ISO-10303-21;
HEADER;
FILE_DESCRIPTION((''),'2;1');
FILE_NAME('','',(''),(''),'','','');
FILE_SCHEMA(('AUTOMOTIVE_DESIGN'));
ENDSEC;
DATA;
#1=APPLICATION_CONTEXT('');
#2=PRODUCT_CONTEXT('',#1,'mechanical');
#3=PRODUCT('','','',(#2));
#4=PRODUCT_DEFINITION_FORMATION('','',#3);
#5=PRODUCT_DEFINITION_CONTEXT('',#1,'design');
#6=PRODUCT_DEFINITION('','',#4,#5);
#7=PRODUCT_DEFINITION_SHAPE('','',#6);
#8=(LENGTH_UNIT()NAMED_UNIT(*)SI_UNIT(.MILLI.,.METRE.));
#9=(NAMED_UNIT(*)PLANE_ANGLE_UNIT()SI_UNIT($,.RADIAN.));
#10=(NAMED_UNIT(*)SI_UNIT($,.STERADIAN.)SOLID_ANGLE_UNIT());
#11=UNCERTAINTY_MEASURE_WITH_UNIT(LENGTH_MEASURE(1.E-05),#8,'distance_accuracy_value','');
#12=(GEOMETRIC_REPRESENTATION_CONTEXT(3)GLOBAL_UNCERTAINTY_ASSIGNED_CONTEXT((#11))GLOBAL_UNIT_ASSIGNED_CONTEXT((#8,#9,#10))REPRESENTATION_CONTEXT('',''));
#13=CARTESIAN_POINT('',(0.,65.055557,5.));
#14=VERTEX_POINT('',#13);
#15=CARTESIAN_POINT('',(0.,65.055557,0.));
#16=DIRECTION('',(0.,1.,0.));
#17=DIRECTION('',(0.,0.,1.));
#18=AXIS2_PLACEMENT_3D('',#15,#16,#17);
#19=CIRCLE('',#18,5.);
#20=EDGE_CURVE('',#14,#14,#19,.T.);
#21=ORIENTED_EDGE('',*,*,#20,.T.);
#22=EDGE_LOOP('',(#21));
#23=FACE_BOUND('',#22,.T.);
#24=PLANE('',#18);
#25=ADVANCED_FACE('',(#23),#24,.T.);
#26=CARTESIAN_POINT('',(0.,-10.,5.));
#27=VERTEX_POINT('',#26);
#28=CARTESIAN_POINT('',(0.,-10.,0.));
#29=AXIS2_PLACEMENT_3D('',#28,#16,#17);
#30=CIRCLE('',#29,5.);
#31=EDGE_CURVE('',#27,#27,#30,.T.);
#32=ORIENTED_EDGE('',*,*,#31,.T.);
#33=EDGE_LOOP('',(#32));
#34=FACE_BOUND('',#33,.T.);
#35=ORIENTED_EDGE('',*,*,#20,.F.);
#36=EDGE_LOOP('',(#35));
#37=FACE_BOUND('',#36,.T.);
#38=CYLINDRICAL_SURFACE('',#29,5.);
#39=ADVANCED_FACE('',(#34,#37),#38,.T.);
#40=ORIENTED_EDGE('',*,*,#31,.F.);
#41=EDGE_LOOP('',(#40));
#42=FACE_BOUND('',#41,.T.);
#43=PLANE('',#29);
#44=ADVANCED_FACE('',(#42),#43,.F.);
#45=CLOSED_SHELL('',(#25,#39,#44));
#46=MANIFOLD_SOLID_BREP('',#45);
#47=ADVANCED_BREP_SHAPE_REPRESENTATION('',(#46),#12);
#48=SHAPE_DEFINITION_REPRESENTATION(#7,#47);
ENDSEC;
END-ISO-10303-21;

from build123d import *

# Parameters (mm, degrees)
BOSS_EXTRUDE1_DEPTH      = 65.055556997
BOSS_EXTRUDE1_DEPTH_BACK = 10
SKETCH1_R                = 5


with BuildPart() as part:
    # Sketch1 → Boss-Extrude1 (new, two sides: drawn at the far end of the back side and taken through both)
    with BuildSketch(Plane(origin=(0, 0, 0), x_dir=(1, 0, 0), z_dir=(0, 1, 0)).offset(-BOSS_EXTRUDE1_DEPTH_BACK)):
        with Locations(Location((0, 0, 0), (0, 0, 270))):
            Circle(SKETCH1_R)
    extrude(amount=BOSS_EXTRUDE1_DEPTH + BOSS_EXTRUDE1_DEPTH_BACK)


solid = part.part
